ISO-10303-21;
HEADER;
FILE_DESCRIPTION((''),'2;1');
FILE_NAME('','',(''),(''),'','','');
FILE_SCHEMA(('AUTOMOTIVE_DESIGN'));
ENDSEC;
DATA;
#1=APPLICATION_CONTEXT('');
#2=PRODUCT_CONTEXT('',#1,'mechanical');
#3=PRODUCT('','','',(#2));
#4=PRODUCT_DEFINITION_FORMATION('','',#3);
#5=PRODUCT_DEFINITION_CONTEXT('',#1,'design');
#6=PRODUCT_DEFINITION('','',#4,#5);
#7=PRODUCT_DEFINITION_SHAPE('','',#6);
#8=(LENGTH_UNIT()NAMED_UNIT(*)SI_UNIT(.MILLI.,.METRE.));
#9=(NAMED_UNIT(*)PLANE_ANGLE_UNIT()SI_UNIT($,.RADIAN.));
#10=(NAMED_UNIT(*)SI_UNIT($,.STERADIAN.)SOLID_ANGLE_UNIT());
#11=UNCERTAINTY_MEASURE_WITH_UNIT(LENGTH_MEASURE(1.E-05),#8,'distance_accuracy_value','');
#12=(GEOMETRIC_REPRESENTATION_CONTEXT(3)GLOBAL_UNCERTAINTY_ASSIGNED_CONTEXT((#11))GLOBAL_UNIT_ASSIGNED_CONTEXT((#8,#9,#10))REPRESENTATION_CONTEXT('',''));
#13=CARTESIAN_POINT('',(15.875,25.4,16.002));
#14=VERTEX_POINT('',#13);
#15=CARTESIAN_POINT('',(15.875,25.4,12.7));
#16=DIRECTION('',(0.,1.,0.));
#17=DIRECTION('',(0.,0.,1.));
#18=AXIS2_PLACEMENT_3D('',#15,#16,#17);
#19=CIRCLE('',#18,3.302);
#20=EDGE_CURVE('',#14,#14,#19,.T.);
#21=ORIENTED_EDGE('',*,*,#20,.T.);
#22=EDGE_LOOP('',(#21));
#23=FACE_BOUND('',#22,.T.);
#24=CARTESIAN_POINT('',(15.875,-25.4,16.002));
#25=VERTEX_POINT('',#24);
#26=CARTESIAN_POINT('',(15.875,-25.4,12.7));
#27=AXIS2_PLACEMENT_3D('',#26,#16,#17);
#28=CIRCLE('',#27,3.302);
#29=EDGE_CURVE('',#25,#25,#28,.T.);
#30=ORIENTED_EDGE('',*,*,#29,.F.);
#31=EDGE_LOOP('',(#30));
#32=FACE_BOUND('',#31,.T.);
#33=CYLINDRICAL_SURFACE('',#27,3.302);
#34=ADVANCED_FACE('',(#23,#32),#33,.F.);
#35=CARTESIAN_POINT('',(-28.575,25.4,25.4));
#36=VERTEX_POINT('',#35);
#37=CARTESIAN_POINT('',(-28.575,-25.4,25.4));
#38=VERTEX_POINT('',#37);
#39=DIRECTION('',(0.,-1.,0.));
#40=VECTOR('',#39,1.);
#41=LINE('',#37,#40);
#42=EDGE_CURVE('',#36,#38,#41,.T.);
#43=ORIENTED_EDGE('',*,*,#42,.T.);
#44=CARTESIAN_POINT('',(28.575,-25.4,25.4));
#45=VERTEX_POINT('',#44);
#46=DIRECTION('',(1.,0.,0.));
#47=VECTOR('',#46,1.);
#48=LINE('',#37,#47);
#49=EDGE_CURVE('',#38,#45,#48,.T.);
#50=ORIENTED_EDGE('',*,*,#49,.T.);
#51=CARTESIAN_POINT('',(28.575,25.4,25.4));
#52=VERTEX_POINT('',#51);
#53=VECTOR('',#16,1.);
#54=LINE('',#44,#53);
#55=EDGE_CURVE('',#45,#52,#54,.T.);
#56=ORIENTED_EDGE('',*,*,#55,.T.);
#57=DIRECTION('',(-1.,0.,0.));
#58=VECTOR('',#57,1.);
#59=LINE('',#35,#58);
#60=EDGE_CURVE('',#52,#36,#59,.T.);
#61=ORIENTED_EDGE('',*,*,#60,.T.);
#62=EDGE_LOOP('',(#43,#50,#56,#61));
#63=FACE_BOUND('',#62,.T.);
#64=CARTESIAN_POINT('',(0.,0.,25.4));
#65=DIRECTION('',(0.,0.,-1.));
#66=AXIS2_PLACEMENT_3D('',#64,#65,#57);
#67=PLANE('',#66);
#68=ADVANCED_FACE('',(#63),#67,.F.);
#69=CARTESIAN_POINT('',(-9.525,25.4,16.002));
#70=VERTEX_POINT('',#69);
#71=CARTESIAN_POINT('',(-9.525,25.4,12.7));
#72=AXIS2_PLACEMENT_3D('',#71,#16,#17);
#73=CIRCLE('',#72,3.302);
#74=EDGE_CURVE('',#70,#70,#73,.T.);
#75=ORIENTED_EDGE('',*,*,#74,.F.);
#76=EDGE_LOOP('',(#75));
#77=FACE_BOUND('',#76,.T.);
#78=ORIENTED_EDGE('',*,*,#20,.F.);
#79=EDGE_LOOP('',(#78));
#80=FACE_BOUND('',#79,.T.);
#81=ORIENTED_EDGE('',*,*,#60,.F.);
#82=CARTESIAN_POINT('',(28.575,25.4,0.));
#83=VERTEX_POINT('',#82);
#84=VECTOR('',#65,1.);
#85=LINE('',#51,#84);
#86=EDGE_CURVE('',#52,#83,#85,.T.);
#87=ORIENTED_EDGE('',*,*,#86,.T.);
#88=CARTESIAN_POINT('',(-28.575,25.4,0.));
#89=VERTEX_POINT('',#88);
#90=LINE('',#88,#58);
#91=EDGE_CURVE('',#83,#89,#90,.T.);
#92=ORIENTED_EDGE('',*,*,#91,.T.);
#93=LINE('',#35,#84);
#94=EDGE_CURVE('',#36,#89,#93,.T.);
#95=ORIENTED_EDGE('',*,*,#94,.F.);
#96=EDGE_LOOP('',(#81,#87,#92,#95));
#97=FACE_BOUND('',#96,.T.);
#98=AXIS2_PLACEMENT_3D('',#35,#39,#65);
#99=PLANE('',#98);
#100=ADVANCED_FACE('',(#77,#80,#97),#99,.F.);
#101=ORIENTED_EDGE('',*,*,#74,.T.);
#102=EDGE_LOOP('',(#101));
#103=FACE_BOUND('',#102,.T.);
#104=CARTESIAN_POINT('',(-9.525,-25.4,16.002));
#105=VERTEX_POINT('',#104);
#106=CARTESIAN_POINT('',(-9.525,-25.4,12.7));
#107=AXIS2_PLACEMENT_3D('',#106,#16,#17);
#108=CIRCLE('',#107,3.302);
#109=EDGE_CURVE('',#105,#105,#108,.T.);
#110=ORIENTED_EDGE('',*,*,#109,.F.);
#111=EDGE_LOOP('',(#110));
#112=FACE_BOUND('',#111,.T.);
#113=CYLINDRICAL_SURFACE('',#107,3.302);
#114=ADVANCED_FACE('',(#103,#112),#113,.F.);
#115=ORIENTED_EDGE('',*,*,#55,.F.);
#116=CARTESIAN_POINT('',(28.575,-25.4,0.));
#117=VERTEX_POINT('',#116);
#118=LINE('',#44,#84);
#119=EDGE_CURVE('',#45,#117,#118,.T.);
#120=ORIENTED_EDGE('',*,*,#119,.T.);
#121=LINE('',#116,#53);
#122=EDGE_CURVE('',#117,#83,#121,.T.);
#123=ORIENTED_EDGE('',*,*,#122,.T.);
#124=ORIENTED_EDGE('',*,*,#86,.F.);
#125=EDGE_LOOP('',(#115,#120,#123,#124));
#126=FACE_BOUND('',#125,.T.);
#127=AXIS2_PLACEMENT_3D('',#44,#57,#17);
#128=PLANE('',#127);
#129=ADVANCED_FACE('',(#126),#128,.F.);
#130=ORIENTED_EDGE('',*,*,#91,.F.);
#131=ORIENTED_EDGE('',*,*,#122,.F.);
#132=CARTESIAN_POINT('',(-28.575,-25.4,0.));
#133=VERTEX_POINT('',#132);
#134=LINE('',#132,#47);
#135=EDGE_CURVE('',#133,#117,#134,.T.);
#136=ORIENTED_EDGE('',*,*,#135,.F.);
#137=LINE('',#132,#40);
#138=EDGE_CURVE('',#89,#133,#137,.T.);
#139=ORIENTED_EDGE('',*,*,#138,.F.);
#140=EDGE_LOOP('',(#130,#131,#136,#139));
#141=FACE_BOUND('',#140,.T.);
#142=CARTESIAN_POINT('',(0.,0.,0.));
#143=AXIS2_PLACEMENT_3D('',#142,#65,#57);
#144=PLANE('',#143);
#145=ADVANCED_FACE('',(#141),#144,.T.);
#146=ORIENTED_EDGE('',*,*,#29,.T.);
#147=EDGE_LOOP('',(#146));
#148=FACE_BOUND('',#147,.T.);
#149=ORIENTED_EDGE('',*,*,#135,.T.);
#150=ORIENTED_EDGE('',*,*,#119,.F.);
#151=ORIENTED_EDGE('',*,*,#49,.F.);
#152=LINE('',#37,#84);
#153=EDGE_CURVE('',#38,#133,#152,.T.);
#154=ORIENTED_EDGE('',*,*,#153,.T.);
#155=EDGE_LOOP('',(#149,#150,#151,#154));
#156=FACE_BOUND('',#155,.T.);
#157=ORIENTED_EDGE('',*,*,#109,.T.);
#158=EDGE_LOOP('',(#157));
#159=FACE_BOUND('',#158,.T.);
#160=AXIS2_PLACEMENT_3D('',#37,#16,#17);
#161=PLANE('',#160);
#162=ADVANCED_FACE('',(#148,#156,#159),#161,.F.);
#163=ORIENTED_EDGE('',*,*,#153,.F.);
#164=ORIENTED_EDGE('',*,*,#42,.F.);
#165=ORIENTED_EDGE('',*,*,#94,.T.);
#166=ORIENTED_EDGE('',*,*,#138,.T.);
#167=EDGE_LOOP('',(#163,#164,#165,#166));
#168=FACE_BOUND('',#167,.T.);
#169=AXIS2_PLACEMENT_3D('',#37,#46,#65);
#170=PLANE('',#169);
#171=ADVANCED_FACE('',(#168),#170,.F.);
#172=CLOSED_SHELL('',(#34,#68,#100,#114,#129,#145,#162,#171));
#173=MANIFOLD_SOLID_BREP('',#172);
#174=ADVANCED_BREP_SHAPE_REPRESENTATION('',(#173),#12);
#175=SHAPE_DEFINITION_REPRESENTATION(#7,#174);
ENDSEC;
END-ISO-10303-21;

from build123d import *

# Parameters (mm, degrees)
CROQUIS2_W              = 57.15
CROQUIS2_H              = 50.8
SALIENTE_EXTRUIR1_DEPTH = 25.4
CROQUIS3_R              = 3.302
CORTAR_EXTRUIR1_DEPTH   = 64.579325453


with BuildPart() as part:
    # Croquis2 → Saliente-Extruir1 (new body)
    with BuildSketch(Plane.XY):
        Rectangle(CROQUIS2_W, CROQUIS2_H)
    extrude(amount=SALIENTE_EXTRUIR1_DEPTH)

    # Croquis3 → Cortar-Extruir1 (cut, through all)
    with BuildSketch(Plane(origin=(0, 25.4, 0), x_dir=(1, 0, 0), z_dir=(0, 1, 0))):
        with Locations((-9.525, -12.7)):
            Circle(CROQUIS3_R)
        with Locations((15.875, -12.7)):
            Circle(CROQUIS3_R)
    extrude(amount=-CORTAR_EXTRUIR1_DEPTH, mode=Mode.SUBTRACT)


solid = part.part
